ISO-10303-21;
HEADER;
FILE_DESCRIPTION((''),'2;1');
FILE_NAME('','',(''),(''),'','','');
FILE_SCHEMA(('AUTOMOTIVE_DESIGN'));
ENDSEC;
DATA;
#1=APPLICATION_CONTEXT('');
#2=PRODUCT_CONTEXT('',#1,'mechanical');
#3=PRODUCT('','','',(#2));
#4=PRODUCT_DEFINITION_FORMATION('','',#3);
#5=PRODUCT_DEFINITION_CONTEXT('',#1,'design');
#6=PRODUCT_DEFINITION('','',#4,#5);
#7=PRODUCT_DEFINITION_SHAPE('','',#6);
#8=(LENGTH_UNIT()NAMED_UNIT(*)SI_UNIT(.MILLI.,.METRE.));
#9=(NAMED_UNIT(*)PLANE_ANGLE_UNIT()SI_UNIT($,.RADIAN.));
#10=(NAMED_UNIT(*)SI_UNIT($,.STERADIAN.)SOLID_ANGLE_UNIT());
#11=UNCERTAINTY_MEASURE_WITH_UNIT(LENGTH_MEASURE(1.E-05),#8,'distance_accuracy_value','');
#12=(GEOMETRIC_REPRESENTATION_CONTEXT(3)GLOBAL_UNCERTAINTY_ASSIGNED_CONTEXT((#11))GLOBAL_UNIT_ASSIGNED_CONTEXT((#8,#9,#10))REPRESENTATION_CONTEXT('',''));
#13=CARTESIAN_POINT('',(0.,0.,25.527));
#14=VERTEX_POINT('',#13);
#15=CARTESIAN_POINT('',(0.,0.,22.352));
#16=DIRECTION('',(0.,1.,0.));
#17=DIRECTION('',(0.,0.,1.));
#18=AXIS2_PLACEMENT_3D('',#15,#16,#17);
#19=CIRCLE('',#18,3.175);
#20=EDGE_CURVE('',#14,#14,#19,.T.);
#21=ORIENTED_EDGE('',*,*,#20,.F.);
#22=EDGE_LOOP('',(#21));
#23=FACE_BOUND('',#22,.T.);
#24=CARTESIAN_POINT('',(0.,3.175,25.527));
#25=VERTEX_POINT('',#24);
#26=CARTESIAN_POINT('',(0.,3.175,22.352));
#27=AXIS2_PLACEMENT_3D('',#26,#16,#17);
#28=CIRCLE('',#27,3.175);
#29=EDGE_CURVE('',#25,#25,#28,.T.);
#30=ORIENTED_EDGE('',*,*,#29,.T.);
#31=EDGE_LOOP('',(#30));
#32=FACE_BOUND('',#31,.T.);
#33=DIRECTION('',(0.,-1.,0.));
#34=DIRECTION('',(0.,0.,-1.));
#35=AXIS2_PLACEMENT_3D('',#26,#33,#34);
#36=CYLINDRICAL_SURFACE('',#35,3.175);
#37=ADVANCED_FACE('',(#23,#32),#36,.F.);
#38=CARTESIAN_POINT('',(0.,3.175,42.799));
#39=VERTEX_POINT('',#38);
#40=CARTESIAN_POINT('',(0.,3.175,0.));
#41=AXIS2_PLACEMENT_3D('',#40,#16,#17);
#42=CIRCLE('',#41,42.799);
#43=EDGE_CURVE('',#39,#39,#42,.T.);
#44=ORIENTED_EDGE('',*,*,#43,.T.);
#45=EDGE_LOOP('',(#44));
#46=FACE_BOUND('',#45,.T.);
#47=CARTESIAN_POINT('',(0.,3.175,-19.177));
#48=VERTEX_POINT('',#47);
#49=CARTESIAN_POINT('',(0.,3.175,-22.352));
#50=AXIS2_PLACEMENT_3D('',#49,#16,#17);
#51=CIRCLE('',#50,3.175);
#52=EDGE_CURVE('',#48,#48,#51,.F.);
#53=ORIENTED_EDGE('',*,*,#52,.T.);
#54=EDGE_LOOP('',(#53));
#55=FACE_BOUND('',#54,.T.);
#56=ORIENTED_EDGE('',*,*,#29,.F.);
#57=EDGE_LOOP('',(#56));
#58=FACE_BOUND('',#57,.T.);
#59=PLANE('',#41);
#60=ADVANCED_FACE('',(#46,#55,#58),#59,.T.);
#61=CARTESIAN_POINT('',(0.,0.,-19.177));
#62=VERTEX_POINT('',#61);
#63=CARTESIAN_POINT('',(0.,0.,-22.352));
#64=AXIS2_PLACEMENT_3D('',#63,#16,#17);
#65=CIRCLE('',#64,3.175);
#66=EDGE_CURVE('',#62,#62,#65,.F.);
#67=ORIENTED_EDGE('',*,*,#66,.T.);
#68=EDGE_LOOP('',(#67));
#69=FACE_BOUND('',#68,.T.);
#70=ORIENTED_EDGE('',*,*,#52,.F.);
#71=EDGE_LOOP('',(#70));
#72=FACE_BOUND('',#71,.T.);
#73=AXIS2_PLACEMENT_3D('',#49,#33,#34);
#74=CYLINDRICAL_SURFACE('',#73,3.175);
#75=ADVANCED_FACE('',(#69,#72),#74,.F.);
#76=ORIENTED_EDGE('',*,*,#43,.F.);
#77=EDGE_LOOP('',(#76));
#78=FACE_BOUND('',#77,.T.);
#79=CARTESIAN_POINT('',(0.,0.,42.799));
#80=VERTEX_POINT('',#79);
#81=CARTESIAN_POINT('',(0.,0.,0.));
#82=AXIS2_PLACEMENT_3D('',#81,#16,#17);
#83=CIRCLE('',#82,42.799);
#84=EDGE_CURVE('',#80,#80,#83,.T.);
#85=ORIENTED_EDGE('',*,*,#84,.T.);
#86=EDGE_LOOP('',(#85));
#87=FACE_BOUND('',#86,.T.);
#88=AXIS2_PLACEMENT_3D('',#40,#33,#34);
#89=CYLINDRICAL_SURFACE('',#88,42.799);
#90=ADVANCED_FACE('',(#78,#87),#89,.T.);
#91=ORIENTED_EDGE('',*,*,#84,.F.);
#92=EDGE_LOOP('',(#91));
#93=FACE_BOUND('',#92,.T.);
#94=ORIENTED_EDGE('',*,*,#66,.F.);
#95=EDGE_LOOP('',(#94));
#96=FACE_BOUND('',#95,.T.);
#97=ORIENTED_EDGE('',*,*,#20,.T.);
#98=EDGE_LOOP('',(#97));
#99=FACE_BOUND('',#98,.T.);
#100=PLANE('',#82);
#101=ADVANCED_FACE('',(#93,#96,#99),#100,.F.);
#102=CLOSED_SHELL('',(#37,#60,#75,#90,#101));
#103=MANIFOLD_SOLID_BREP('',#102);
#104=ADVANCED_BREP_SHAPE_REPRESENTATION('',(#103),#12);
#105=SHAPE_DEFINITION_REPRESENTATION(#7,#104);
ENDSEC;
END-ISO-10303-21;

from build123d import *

# Parameters (mm, degrees)
SKETCH1_R           = 42.799
SKETCH1_R_2         = 3.175
BOSS_EXTRUDE1_DEPTH = 3.175


with BuildPart() as part:
    # Sketch1 → Boss-Extrude1 (new body)
    with BuildSketch(Plane(origin=(0, 0, 0), x_dir=(1, 0, 0), z_dir=(0, 1, 0))):
        Circle(SKETCH1_R)
        with Locations((0, -22.352)):
            Circle(SKETCH1_R_2, mode=Mode.SUBTRACT)
        with Locations((0, 22.352)):
            Circle(SKETCH1_R_2, mode=Mode.SUBTRACT)
    extrude(amount=BOSS_EXTRUDE1_DEPTH)


solid = part.part
